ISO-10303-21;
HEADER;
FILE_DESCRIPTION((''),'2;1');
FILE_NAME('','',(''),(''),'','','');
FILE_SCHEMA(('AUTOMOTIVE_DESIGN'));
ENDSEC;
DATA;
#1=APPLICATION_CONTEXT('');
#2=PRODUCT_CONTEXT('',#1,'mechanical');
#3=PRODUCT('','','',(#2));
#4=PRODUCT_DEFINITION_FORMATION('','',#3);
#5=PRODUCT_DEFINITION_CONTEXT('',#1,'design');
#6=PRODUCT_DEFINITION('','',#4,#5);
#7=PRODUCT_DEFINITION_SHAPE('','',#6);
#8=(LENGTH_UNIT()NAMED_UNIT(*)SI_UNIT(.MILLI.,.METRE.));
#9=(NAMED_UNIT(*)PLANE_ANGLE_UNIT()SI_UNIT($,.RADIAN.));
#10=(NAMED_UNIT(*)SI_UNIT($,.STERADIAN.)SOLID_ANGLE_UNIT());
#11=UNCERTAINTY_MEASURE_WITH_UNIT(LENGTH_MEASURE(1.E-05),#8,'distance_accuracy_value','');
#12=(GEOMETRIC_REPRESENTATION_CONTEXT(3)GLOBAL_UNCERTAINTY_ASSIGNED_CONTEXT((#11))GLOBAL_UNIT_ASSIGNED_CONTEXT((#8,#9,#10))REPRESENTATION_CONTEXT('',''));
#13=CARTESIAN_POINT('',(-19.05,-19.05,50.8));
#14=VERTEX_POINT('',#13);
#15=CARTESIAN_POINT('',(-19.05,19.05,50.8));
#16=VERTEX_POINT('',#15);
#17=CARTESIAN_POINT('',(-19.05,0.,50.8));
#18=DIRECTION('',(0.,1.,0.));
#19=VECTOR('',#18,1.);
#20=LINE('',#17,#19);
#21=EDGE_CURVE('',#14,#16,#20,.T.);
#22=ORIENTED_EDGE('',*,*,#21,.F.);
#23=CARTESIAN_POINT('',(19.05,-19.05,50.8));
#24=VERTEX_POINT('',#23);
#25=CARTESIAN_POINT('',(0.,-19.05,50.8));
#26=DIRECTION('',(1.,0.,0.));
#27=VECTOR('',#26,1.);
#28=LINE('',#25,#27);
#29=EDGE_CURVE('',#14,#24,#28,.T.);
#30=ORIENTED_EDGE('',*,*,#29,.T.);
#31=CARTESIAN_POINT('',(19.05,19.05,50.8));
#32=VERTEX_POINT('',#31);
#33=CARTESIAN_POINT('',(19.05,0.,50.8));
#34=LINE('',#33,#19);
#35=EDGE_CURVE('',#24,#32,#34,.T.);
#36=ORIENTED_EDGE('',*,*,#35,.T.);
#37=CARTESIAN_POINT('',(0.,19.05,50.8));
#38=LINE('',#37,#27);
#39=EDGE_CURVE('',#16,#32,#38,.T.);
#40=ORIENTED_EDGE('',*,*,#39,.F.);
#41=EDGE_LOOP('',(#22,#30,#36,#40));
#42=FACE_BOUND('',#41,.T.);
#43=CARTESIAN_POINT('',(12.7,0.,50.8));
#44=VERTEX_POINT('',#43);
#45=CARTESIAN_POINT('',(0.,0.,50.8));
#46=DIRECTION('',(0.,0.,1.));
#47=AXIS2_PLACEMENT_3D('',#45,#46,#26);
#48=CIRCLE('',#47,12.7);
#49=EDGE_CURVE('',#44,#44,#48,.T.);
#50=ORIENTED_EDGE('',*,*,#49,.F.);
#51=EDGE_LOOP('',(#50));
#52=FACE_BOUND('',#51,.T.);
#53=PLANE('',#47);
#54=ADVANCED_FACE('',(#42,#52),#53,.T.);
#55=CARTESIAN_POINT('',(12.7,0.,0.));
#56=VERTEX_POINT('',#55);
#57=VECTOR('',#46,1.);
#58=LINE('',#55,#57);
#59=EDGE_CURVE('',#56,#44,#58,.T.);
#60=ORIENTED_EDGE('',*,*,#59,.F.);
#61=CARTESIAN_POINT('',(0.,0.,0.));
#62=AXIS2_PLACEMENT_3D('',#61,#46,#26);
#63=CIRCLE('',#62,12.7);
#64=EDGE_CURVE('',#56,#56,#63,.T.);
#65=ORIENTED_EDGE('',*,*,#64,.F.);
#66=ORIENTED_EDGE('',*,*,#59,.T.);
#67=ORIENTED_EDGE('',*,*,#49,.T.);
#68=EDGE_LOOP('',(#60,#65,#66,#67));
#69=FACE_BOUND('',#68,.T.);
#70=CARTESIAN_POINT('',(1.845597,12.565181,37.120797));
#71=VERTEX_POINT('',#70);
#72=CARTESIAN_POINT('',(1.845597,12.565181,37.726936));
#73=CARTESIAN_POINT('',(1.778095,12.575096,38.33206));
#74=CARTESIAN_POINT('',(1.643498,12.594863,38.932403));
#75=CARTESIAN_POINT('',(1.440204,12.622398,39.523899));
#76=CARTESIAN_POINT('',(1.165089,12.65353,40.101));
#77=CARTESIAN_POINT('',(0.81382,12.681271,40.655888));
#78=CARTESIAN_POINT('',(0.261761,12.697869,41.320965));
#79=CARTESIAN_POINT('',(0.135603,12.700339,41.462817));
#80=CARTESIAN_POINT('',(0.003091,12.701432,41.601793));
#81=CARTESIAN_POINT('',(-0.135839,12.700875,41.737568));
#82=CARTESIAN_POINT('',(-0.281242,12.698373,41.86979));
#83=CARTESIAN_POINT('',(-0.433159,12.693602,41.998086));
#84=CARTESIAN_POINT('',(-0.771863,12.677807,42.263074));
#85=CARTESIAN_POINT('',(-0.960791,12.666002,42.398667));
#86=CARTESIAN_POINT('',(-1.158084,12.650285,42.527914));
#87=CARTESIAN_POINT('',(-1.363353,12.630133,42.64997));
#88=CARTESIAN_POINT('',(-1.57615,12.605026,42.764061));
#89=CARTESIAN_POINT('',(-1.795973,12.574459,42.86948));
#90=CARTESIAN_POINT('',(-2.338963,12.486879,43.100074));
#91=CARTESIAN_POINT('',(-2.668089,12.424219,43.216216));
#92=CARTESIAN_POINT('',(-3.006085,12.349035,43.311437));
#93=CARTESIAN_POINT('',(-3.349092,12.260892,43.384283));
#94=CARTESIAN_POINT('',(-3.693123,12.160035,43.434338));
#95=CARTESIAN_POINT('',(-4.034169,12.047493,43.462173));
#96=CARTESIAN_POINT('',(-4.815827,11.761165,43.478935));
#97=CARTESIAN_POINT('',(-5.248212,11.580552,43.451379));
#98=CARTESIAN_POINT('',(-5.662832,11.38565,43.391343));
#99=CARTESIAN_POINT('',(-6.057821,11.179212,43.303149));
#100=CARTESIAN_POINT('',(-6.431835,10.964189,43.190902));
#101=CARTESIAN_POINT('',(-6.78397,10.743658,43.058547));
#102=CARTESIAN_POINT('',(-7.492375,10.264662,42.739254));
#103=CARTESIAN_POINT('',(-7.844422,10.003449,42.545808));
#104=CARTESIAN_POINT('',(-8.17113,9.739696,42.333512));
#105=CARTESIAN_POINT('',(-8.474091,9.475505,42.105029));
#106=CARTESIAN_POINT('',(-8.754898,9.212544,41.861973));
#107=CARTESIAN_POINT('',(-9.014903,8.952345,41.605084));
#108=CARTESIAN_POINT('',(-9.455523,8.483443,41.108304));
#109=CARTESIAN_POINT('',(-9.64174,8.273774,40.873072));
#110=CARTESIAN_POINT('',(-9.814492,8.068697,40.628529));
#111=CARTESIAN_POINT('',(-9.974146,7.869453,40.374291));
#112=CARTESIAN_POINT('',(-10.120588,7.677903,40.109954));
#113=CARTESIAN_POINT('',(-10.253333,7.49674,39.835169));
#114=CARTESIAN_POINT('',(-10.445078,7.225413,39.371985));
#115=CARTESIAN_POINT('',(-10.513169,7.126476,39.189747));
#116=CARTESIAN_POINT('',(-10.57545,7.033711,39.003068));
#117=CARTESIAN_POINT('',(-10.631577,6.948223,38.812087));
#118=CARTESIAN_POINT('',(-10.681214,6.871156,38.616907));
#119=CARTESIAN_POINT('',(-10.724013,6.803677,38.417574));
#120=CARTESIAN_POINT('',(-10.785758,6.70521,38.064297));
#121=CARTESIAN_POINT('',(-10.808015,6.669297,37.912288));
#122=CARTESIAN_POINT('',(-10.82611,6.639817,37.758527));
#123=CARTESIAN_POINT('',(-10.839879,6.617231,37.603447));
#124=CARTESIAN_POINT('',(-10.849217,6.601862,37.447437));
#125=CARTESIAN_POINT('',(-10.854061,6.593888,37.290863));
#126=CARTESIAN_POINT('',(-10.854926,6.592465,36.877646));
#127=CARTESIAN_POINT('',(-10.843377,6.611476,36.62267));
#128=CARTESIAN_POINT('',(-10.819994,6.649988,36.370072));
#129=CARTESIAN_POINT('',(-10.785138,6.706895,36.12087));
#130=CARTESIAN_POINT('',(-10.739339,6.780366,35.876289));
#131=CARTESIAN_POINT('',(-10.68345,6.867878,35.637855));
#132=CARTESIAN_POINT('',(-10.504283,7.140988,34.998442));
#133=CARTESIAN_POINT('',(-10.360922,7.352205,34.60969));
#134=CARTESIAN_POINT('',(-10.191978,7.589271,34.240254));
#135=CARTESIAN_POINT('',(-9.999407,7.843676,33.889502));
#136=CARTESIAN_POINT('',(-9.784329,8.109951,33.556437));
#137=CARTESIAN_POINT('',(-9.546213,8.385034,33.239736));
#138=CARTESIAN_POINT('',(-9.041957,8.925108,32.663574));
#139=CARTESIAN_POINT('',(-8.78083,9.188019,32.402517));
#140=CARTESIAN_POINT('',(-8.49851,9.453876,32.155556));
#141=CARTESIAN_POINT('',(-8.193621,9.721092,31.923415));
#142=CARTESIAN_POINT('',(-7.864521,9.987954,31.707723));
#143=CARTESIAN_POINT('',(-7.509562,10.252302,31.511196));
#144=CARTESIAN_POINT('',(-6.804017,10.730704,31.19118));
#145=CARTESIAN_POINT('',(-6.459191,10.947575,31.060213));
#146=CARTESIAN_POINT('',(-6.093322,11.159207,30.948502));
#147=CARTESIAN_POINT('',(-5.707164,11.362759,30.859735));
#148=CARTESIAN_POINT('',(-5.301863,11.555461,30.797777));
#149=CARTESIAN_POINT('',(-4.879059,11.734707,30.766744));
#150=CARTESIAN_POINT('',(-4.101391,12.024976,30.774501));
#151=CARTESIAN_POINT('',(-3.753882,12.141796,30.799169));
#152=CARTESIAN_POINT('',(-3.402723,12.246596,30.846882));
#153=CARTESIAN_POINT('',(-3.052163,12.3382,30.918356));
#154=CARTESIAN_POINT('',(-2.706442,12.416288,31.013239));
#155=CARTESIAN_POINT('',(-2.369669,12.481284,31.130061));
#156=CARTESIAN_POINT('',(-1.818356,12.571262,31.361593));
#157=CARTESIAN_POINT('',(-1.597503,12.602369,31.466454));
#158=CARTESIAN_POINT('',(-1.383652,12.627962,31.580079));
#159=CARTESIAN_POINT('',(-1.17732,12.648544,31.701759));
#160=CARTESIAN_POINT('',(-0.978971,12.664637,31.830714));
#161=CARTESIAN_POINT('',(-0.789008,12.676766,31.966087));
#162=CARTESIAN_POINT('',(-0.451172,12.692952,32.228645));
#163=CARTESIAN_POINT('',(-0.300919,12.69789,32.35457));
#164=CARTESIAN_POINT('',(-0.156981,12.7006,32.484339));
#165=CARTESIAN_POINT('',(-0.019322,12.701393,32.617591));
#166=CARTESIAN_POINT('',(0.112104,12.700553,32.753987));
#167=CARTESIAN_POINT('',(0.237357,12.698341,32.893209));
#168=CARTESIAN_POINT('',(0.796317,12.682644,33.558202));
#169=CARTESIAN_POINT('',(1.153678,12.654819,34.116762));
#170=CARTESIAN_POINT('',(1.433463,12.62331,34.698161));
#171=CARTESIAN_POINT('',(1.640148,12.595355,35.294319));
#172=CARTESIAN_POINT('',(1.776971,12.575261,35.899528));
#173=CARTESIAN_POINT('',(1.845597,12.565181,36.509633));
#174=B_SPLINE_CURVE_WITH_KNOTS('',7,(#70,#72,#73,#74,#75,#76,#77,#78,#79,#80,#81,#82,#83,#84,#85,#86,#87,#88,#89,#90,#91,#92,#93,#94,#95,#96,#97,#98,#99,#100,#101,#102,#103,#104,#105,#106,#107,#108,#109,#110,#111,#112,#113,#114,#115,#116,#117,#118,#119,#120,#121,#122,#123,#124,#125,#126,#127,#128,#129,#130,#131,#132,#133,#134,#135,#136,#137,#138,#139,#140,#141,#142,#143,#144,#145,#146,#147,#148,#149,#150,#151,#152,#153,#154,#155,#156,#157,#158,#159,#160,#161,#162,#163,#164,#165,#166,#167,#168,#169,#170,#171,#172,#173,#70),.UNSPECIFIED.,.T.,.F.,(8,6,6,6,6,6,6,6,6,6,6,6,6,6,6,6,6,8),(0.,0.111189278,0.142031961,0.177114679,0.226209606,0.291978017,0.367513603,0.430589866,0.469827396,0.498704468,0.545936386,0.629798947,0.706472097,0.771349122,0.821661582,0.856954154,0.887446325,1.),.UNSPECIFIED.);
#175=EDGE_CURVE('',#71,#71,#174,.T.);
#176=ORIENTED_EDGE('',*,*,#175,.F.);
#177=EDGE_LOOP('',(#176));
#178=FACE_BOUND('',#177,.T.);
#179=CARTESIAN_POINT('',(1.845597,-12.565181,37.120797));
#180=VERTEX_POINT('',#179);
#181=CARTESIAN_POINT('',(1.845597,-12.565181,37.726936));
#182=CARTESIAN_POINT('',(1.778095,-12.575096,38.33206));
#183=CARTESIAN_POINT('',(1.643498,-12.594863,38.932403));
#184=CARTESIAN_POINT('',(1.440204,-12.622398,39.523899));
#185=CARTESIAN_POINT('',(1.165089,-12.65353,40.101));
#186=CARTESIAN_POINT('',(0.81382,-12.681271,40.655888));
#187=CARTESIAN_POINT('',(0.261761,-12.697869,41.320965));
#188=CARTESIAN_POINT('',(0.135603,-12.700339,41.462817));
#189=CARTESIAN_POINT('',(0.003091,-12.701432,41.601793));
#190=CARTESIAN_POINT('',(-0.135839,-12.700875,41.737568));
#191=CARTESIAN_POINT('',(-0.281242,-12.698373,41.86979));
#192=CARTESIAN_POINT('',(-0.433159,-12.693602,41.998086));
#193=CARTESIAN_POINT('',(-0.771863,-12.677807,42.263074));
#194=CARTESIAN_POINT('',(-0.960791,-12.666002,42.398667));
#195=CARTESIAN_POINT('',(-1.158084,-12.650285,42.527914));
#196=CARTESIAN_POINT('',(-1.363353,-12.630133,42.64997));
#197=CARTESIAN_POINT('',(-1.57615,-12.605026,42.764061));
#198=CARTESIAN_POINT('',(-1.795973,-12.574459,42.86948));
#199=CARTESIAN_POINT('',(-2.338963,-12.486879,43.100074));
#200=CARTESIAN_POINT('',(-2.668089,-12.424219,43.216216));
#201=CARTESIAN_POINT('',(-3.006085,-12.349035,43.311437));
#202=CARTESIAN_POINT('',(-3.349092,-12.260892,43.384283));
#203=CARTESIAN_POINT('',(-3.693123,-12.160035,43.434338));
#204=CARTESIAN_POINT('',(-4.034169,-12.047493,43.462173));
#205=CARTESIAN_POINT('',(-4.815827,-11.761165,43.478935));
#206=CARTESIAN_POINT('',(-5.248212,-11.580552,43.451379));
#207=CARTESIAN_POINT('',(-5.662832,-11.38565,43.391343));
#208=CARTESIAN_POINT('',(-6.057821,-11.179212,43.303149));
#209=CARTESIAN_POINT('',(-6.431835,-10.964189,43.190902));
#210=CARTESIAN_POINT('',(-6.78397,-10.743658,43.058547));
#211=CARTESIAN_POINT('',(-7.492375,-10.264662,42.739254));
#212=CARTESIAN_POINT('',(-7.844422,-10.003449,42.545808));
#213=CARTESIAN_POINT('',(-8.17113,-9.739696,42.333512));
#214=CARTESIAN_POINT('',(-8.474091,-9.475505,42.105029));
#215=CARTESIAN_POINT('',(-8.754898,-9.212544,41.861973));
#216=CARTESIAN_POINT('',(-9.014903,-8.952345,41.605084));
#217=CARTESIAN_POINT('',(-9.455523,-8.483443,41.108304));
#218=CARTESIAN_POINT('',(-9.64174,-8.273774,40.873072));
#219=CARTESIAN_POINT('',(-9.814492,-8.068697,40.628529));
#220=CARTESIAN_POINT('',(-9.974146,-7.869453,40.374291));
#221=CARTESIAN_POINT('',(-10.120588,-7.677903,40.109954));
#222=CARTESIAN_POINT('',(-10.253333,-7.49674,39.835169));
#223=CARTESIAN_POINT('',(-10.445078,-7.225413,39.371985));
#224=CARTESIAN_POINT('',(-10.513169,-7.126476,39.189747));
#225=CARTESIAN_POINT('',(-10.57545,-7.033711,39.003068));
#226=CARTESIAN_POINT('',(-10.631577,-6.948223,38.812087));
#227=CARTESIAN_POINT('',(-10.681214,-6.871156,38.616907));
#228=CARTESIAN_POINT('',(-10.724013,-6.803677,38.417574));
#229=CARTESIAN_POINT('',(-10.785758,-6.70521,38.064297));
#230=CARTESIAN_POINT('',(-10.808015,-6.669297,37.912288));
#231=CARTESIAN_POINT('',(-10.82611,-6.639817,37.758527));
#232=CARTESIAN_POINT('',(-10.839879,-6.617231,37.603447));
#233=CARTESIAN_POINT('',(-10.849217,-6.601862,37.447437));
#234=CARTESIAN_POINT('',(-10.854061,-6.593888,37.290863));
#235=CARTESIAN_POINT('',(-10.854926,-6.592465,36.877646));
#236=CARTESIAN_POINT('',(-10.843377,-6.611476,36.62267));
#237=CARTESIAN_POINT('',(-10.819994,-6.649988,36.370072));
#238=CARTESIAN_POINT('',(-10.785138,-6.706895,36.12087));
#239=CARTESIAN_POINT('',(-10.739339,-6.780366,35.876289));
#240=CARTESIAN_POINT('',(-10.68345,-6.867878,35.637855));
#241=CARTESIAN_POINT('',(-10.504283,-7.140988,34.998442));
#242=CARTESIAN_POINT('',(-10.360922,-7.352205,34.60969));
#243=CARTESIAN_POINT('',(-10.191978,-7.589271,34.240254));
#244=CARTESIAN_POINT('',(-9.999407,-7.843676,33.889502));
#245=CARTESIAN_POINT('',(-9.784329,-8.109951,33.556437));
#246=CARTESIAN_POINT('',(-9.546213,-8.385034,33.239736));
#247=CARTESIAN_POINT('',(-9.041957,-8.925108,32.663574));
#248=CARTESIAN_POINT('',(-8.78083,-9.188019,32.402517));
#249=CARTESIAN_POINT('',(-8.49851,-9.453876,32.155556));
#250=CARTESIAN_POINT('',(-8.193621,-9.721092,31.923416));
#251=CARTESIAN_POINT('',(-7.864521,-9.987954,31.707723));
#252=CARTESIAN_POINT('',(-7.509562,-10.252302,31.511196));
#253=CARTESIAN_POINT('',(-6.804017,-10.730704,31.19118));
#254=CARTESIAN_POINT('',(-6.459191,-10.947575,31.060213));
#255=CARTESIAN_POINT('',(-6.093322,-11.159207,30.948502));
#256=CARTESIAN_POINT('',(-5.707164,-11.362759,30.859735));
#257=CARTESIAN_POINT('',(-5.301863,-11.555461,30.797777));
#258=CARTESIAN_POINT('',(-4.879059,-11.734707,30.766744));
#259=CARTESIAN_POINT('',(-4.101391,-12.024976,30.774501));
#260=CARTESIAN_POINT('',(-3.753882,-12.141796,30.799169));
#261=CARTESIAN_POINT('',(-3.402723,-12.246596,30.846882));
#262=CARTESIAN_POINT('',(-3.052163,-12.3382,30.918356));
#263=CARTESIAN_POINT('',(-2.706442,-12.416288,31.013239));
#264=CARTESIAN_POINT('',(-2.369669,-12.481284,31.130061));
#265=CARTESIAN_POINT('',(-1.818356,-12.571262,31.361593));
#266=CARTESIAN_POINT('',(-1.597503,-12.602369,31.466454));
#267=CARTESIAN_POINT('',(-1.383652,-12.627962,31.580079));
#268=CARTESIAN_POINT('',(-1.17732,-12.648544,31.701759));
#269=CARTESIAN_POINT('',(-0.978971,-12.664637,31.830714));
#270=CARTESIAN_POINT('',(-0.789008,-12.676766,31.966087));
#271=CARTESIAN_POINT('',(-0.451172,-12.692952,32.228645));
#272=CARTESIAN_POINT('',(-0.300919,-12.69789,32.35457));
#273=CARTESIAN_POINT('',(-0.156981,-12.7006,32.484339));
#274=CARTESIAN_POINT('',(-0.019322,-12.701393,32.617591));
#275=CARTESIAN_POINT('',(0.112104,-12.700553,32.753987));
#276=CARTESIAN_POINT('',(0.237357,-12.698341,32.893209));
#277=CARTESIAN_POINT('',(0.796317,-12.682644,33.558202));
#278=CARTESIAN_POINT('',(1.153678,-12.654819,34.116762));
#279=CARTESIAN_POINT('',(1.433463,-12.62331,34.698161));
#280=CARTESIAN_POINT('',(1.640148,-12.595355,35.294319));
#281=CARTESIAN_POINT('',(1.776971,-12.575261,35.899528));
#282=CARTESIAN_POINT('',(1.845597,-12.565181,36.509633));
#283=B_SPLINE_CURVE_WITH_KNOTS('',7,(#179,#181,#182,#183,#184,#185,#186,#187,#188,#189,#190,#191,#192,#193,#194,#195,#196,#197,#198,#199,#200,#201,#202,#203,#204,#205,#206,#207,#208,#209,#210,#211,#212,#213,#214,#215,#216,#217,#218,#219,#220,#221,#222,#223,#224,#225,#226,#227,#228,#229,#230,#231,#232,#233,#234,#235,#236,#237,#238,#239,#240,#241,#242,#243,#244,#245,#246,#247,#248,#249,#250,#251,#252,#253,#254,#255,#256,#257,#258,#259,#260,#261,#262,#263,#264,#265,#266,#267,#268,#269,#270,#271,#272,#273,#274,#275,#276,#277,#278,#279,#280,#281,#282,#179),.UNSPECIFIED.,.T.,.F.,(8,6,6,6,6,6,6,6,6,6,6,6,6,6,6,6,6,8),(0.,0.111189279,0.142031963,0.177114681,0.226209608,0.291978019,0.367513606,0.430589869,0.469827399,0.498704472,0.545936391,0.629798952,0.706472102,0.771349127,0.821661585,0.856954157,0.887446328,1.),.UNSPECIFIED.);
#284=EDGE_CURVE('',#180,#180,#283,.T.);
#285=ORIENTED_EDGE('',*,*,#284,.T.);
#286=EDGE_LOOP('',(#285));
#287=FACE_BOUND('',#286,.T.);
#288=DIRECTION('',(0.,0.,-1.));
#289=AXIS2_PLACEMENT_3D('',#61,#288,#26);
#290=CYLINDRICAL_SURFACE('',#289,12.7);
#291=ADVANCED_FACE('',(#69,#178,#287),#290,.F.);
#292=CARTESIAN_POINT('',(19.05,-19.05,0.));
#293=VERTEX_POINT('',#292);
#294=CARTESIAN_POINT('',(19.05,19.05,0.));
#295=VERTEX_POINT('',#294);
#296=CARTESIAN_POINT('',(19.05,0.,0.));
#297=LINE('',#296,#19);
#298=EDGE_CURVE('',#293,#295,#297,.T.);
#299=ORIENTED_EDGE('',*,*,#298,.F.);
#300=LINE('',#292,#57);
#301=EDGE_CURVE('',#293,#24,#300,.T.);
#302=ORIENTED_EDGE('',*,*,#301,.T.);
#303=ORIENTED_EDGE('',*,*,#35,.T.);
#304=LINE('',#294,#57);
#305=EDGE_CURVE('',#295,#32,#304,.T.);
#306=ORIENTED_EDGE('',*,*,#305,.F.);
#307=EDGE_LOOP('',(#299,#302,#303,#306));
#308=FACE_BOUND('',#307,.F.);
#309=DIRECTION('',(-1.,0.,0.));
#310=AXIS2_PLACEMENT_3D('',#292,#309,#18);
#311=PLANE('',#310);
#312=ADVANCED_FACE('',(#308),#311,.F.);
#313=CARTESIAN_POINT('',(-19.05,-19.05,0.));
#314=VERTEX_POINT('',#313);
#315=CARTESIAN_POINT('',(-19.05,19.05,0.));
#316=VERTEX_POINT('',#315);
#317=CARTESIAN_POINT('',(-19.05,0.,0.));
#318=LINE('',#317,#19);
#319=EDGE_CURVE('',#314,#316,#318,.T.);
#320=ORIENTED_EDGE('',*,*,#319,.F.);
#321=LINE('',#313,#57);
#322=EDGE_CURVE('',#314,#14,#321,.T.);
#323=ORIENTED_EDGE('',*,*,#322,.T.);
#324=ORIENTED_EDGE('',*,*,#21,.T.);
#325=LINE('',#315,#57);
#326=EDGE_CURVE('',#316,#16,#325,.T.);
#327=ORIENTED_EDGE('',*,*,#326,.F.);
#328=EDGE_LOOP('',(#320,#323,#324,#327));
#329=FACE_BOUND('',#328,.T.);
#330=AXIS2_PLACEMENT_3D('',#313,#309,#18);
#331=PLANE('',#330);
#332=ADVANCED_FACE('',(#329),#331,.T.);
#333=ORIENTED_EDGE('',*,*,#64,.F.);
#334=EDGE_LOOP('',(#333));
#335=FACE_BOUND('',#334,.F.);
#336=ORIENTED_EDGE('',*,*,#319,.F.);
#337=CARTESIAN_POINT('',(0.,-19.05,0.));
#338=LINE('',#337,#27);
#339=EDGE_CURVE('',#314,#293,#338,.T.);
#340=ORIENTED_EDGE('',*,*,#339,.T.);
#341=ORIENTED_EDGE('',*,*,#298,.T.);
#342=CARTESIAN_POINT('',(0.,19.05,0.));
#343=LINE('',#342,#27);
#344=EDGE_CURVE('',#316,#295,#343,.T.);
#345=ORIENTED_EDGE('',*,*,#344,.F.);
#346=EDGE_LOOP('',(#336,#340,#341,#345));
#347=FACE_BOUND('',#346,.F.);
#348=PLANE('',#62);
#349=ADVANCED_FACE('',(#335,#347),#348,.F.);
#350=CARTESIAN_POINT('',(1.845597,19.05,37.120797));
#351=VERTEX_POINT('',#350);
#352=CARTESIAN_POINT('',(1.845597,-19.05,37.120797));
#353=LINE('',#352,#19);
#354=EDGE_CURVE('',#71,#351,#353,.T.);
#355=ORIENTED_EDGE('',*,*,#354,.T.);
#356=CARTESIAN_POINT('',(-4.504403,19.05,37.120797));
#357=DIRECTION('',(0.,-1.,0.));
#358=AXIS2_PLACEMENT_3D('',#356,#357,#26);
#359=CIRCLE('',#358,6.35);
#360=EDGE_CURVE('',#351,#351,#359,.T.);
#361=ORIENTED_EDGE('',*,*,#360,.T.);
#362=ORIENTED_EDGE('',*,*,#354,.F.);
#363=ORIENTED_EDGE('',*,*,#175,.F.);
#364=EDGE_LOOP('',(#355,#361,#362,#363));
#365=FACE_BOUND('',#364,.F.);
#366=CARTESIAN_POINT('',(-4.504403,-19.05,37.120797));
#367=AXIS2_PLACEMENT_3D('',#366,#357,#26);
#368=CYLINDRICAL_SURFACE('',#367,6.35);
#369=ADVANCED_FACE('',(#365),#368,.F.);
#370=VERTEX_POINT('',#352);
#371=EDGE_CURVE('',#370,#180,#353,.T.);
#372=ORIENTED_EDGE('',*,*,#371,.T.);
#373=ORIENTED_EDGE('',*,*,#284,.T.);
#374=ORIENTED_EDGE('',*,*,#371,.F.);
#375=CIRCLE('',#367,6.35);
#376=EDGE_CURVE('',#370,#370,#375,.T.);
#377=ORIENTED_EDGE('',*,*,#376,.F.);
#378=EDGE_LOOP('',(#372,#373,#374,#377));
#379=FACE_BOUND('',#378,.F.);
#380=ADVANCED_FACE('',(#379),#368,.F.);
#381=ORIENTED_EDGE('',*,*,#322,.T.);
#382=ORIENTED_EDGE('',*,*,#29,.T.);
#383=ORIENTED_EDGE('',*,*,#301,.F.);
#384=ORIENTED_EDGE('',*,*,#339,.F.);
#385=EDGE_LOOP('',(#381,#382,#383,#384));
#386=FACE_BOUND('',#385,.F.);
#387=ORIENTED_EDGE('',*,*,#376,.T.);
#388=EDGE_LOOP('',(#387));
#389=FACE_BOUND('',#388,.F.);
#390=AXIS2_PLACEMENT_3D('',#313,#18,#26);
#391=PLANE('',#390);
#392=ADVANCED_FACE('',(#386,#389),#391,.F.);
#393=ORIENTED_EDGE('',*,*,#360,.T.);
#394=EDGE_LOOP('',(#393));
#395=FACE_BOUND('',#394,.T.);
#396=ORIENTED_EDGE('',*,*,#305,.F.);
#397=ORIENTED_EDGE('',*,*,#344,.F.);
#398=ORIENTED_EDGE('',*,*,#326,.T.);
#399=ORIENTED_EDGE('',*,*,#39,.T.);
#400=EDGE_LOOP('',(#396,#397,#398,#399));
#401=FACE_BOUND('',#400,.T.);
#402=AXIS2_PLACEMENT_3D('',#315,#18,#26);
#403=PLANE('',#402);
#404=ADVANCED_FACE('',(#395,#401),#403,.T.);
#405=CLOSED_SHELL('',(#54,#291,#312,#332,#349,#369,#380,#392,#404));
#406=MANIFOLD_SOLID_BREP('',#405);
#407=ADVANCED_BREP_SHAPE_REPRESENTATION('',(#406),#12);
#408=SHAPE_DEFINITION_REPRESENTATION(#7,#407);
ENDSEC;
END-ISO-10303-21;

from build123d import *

# Parameters (mm, degrees)
F0_W     = 38.1
F0_H     = 38.1
F0_R     = 12.7
F1_DEPTH = 50.8
F2_R     = 6.35
F3_DEPTH = 38.1


with BuildPart() as f1:
    # F0 (on Top) → F1 (new body)
    with BuildSketch(Plane.XY):
        Rectangle(F0_W, F0_H)
        Circle(F0_R, mode=Mode.SUBTRACT)
    extrude(amount=F1_DEPTH)

    # F2 (on face) → F3 (cut, through all)
    with BuildSketch(Plane.XZ.offset(19.05)):
        with Locations((-4.504403, 37.120797)):
            Circle(F2_R)
    extrude(amount=-F3_DEPTH, mode=Mode.SUBTRACT)


solid = f1.part
